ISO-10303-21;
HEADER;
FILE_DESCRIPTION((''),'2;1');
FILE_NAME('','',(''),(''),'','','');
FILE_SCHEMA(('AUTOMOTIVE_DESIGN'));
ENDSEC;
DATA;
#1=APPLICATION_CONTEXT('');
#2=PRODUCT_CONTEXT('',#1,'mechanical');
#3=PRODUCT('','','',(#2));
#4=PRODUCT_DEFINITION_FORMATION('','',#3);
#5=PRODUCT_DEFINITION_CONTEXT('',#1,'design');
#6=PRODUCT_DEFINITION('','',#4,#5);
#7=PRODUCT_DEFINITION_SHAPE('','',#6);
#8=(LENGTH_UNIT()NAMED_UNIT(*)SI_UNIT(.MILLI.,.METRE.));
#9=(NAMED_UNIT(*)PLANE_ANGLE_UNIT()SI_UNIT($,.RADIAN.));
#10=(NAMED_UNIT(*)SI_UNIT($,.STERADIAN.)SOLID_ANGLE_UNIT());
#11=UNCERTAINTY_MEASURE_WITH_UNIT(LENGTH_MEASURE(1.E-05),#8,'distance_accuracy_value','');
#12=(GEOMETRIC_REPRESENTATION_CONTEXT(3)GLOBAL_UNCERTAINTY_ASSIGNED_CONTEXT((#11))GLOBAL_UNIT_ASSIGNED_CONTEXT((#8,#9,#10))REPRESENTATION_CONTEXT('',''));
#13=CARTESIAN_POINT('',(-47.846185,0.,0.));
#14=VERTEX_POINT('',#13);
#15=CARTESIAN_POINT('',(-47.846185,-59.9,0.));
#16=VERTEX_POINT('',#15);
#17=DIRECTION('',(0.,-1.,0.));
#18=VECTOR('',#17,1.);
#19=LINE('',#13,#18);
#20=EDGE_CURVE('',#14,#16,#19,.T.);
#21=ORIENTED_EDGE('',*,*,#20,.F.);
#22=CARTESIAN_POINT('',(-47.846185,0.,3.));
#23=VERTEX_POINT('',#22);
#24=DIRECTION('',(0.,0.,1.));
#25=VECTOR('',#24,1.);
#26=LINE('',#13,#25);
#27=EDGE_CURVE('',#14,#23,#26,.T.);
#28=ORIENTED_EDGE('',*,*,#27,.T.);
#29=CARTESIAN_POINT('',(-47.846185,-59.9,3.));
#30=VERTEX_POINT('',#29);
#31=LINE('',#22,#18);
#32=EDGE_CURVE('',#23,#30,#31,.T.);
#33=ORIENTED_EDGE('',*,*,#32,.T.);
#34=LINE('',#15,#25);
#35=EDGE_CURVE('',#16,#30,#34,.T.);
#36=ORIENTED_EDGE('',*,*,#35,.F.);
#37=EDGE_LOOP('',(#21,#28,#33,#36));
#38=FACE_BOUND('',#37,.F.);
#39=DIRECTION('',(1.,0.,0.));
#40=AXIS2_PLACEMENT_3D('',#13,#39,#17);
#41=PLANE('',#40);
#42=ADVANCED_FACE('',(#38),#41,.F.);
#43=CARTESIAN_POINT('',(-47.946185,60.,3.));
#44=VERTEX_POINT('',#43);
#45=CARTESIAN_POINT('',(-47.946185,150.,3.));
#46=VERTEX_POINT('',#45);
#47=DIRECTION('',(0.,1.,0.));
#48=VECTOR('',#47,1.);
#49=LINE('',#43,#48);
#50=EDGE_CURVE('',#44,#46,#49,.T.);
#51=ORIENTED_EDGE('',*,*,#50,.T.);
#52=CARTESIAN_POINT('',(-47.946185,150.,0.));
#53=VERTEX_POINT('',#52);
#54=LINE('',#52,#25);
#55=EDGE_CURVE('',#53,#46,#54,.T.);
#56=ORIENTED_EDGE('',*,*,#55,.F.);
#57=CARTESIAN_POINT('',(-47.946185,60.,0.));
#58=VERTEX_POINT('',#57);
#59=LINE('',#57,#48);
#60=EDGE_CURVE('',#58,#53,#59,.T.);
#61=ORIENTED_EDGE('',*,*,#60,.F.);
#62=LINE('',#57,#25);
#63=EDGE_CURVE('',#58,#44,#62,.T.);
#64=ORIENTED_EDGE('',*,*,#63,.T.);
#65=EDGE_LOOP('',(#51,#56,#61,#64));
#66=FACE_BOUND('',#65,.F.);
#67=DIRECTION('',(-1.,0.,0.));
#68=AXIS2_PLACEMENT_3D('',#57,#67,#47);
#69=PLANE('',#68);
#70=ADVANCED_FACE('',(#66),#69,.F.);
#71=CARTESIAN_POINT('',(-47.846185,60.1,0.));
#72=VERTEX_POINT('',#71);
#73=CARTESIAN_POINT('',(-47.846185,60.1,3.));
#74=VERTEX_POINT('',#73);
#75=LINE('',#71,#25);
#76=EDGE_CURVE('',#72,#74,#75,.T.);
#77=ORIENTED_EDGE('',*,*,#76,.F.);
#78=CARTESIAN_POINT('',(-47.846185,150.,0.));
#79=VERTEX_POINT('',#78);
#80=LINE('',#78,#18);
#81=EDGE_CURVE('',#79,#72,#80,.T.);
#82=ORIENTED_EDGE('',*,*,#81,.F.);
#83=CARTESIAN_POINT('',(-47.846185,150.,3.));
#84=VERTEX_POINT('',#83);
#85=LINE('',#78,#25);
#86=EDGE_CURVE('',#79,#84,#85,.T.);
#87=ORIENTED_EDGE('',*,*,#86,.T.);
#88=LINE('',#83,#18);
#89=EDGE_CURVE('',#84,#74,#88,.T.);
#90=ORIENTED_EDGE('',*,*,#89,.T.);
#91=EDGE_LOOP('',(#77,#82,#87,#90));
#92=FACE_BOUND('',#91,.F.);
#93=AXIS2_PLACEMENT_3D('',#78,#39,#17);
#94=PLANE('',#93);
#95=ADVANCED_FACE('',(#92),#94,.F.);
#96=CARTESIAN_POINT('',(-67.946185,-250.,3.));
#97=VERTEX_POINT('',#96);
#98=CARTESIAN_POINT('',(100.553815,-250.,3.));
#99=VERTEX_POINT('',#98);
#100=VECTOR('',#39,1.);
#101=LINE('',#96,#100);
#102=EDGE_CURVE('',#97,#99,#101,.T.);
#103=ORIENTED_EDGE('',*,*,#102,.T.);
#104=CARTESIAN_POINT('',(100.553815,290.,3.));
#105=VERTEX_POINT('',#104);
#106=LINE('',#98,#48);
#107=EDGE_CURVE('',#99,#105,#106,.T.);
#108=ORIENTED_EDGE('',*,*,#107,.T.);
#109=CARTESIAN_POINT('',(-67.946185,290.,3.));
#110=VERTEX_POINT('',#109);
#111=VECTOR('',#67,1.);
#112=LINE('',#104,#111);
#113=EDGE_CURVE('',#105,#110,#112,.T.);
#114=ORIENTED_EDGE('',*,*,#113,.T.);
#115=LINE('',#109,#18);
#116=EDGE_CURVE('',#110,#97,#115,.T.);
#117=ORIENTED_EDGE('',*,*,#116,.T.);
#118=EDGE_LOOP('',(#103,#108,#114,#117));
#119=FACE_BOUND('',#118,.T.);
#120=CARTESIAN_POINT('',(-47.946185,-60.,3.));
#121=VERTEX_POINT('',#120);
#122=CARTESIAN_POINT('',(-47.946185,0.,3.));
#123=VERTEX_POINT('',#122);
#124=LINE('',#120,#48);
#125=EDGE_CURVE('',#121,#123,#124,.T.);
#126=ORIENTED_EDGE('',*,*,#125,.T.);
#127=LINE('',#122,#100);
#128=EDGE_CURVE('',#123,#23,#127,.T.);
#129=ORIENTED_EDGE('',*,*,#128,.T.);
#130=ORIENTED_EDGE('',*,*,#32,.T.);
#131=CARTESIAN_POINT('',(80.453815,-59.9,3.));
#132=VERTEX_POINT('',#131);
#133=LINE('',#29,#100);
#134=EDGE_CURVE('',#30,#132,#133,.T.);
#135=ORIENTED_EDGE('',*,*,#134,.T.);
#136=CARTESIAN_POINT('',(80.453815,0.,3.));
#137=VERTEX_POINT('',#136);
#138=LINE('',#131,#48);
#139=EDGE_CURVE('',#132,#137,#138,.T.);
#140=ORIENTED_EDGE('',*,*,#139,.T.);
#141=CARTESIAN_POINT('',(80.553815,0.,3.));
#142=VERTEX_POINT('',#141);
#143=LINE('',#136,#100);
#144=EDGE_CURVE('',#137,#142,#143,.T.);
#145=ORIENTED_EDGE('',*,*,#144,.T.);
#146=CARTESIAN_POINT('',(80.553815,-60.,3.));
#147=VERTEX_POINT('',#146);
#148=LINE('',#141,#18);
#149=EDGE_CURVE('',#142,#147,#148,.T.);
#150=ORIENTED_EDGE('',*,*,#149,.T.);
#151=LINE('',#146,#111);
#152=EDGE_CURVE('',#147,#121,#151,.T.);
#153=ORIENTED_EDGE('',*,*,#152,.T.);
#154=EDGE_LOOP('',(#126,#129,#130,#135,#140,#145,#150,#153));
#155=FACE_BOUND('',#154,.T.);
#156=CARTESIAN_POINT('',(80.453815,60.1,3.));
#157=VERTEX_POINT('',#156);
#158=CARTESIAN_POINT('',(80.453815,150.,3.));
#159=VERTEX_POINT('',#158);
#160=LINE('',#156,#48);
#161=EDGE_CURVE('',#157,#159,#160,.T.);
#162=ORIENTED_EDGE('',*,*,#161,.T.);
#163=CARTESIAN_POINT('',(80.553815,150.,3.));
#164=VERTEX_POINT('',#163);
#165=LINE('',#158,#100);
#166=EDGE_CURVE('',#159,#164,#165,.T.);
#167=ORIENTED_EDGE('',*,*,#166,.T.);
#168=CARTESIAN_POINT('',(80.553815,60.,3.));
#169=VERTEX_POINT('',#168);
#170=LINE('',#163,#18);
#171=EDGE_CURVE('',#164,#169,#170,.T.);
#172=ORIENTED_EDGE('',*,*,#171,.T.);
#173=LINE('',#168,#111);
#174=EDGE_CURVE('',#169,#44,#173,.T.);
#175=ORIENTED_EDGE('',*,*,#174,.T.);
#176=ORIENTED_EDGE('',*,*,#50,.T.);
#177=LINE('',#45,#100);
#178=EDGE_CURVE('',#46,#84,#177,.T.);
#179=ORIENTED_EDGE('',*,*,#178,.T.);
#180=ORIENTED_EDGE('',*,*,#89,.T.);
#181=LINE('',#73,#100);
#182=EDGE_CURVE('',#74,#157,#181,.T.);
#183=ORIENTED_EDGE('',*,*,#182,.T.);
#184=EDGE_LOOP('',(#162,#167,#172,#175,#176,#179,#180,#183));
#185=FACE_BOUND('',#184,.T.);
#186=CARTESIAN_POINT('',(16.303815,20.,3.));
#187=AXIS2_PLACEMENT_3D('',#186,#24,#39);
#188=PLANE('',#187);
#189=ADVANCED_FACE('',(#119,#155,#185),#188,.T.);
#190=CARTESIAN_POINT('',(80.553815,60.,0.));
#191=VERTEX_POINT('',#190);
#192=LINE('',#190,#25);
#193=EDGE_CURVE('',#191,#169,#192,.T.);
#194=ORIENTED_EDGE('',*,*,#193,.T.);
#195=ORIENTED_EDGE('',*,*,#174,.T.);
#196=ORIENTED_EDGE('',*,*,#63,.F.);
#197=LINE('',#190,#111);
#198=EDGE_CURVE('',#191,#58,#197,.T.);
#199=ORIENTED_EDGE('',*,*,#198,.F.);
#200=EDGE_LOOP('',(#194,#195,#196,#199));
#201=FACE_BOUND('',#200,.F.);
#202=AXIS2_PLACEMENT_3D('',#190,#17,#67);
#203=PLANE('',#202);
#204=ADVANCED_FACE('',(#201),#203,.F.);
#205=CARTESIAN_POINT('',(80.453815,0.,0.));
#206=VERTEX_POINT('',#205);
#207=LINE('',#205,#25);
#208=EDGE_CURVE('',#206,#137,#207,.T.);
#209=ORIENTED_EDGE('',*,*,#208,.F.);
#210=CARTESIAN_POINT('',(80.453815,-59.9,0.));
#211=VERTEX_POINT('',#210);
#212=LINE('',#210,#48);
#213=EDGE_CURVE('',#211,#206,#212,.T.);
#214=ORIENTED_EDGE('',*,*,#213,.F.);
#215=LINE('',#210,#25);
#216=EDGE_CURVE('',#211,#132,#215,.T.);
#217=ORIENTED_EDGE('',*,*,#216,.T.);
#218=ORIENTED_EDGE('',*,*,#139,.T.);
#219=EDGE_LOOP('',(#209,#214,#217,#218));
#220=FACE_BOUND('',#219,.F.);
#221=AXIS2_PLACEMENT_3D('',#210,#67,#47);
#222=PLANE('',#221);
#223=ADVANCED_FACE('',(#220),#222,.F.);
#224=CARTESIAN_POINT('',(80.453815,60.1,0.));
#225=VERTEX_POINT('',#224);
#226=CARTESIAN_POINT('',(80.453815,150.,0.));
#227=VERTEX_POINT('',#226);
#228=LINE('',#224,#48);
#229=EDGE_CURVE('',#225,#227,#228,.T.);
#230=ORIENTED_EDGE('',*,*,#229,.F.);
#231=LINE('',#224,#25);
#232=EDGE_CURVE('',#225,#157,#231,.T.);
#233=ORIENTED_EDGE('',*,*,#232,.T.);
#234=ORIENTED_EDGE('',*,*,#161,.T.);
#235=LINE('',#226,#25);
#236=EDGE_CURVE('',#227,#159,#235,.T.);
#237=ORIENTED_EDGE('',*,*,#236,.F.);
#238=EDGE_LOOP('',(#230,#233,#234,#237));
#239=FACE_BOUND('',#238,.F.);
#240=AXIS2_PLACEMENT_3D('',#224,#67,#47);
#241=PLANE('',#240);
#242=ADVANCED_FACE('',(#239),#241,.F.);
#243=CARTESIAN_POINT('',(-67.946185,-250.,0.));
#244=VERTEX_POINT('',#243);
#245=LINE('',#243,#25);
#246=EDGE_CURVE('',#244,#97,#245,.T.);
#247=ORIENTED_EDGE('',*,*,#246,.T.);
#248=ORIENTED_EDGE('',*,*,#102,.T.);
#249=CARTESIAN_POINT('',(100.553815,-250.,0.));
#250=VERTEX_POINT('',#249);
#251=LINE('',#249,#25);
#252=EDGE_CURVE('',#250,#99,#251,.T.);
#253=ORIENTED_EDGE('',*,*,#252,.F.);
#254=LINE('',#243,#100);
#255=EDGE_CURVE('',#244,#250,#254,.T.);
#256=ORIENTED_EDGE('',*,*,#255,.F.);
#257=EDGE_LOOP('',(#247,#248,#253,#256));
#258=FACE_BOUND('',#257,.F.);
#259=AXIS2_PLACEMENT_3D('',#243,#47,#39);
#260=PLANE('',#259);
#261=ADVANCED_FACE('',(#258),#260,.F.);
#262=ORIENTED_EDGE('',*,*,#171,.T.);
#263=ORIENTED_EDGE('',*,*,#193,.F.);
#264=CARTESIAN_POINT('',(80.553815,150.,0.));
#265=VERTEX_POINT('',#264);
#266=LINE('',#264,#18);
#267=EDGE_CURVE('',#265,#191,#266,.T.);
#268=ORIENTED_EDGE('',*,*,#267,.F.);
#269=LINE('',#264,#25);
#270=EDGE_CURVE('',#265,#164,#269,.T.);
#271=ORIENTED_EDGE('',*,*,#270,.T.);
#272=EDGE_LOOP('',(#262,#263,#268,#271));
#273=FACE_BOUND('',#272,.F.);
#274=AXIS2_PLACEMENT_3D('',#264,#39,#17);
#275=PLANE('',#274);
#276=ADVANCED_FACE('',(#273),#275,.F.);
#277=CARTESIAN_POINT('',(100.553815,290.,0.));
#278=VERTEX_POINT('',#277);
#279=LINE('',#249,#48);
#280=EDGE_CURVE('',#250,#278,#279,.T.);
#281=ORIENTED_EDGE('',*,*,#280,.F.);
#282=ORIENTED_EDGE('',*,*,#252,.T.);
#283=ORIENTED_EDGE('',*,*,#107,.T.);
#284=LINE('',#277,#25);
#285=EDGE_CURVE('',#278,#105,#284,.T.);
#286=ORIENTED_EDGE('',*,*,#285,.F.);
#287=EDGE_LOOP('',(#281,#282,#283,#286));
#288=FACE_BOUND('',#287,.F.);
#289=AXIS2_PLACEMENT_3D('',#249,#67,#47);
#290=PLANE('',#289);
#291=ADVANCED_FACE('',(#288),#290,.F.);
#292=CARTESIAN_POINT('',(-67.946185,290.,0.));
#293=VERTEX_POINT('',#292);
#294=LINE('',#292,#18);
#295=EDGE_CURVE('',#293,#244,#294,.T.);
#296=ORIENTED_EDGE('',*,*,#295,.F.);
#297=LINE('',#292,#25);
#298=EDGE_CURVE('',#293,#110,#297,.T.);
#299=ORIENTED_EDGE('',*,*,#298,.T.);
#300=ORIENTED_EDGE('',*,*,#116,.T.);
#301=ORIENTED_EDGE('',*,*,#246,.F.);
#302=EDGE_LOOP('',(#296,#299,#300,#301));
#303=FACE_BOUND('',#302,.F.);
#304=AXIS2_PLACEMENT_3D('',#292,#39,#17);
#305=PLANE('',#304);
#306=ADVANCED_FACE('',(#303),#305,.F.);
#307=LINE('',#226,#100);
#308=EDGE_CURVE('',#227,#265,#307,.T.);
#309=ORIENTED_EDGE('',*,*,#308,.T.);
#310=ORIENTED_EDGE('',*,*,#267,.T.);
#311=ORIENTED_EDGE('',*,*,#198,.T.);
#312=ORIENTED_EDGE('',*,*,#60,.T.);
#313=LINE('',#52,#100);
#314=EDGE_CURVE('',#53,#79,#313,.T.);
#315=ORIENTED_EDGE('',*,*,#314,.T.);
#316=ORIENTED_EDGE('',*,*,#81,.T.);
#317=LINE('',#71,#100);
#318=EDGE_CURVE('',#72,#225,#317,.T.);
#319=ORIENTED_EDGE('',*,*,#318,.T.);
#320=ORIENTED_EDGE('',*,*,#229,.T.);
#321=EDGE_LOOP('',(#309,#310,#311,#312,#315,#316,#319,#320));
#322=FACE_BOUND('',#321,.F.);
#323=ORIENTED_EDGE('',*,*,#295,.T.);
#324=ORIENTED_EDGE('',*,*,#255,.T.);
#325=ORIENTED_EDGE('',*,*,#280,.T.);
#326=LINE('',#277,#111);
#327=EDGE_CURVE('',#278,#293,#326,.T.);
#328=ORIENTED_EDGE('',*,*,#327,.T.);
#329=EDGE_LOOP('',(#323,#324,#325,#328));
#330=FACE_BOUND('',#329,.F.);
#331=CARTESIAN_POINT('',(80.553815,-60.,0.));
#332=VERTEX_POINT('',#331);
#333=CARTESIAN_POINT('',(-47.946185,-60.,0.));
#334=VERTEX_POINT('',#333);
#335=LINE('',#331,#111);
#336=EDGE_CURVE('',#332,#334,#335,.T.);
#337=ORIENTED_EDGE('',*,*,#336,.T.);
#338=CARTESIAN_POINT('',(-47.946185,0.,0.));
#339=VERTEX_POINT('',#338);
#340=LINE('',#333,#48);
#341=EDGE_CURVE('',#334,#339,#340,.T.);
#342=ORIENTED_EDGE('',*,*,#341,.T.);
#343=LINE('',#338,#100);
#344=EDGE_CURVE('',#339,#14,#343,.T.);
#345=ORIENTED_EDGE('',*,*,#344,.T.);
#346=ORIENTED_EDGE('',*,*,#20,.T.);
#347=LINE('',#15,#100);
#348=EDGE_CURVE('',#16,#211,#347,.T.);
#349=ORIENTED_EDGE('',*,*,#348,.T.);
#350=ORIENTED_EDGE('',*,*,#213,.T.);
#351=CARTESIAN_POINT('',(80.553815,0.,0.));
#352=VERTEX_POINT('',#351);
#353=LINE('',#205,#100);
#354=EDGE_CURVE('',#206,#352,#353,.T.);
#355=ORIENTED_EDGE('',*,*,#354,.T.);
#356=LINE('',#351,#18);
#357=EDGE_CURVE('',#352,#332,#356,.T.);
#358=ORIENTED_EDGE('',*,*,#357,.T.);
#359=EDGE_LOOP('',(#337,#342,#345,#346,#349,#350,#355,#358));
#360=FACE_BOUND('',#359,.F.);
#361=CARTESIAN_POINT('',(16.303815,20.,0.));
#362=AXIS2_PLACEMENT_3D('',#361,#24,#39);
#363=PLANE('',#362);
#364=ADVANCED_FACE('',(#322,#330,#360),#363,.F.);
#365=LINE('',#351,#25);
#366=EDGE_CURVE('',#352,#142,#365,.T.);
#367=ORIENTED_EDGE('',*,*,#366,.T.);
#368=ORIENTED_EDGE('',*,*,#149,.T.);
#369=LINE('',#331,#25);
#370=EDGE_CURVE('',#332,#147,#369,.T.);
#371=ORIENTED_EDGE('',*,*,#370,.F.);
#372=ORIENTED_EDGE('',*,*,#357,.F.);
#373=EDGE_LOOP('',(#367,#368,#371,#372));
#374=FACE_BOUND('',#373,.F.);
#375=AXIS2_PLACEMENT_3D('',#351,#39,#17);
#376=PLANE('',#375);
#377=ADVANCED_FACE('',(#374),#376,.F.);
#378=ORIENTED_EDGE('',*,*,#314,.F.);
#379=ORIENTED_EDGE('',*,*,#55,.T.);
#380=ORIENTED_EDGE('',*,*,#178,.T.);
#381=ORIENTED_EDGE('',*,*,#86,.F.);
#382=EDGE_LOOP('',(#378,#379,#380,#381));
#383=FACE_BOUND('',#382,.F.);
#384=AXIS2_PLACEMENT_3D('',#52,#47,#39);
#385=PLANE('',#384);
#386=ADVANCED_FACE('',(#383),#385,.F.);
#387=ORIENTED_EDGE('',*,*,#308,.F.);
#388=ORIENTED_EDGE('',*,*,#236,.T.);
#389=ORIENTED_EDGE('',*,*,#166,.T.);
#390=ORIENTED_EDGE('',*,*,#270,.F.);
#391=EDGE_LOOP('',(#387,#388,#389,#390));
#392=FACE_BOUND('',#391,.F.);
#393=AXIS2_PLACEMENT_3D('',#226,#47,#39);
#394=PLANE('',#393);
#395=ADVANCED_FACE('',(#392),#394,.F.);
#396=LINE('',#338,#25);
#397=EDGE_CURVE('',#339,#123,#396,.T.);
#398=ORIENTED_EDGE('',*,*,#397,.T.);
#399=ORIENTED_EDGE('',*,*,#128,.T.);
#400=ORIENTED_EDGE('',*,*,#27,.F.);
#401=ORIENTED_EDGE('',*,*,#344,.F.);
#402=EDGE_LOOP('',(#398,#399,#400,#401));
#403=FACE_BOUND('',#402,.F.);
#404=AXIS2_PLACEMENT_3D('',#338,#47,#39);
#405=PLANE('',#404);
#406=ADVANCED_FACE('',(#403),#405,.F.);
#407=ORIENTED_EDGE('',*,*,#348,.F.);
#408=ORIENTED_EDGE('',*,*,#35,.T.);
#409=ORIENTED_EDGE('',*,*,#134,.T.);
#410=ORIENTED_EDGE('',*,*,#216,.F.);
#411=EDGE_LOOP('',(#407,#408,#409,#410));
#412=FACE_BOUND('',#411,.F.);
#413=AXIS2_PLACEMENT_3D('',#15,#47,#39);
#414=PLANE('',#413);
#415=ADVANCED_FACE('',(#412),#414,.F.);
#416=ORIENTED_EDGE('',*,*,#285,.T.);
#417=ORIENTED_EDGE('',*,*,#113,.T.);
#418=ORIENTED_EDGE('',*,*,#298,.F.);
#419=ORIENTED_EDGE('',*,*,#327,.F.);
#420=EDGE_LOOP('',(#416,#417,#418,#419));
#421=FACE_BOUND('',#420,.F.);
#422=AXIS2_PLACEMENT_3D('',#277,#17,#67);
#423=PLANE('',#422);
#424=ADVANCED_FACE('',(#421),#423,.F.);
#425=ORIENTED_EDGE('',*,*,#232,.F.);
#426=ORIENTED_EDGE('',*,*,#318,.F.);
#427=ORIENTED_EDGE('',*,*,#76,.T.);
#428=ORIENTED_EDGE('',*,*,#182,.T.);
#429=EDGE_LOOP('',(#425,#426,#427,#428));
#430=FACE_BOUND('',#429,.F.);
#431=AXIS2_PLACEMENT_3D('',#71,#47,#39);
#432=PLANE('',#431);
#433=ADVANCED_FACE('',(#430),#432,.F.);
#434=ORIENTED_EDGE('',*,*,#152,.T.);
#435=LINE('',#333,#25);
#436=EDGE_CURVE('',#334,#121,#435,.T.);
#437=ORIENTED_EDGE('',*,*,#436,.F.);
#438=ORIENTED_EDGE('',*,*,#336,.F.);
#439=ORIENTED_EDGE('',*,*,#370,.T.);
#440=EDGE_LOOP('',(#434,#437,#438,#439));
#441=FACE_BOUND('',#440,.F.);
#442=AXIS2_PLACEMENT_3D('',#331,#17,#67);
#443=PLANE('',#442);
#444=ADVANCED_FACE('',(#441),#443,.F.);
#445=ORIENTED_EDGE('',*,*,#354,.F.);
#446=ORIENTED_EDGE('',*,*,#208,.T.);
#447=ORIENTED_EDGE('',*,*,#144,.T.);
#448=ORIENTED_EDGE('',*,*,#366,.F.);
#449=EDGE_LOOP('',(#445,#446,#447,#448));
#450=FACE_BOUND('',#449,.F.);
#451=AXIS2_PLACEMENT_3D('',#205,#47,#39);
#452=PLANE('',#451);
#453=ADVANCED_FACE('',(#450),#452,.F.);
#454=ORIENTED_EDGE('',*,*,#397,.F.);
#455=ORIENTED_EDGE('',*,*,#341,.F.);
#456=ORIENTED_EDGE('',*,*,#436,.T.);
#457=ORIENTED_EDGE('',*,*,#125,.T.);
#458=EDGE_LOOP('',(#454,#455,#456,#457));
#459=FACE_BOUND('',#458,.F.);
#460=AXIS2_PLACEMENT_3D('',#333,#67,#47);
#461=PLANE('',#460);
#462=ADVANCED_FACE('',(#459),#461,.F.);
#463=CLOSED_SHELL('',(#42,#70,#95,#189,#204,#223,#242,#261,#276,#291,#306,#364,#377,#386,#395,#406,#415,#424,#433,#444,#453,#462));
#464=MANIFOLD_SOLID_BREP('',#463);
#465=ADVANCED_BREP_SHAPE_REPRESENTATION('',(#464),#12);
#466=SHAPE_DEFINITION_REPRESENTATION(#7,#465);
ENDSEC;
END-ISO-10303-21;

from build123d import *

# Parameters (mm, degrees)
F1_DEPTH = 3


with BuildPart() as f1:
    # F0 (on Top) → F1 (new body)
    with BuildSketch(Plane.XY):
        Polygon((-67.946185, 250), (-67.946185, -250), (100.553815, -250), (100.553815, 250), (100.553815, 290), (-67.946185, 290), align=None)
        Polygon((-47.946185, -59.9), (-47.946185, 0), (-47.846185, 0), (-47.846185, -59.9), (80.453815, -59.9), (80.453815, 0), (80.553815, 0), (80.553815, -59.9), (80.553815, -60), (80.453815, -60), (-47.846185, -60), (-47.946185, -60), align=None, mode=Mode.SUBTRACT)
        Polygon((-47.946185, 60.1), (-47.946185, 150), (-47.846185, 150), (-47.846185, 60.1), (80.453815, 60.1), (80.453815, 150), (80.553815, 150), (80.553815, 60.1), (80.553815, 60), (80.453815, 60), (-47.846185, 60), (-47.946185, 60), align=None, mode=Mode.SUBTRACT)
    extrude(amount=F1_DEPTH)


solid = f1.part
